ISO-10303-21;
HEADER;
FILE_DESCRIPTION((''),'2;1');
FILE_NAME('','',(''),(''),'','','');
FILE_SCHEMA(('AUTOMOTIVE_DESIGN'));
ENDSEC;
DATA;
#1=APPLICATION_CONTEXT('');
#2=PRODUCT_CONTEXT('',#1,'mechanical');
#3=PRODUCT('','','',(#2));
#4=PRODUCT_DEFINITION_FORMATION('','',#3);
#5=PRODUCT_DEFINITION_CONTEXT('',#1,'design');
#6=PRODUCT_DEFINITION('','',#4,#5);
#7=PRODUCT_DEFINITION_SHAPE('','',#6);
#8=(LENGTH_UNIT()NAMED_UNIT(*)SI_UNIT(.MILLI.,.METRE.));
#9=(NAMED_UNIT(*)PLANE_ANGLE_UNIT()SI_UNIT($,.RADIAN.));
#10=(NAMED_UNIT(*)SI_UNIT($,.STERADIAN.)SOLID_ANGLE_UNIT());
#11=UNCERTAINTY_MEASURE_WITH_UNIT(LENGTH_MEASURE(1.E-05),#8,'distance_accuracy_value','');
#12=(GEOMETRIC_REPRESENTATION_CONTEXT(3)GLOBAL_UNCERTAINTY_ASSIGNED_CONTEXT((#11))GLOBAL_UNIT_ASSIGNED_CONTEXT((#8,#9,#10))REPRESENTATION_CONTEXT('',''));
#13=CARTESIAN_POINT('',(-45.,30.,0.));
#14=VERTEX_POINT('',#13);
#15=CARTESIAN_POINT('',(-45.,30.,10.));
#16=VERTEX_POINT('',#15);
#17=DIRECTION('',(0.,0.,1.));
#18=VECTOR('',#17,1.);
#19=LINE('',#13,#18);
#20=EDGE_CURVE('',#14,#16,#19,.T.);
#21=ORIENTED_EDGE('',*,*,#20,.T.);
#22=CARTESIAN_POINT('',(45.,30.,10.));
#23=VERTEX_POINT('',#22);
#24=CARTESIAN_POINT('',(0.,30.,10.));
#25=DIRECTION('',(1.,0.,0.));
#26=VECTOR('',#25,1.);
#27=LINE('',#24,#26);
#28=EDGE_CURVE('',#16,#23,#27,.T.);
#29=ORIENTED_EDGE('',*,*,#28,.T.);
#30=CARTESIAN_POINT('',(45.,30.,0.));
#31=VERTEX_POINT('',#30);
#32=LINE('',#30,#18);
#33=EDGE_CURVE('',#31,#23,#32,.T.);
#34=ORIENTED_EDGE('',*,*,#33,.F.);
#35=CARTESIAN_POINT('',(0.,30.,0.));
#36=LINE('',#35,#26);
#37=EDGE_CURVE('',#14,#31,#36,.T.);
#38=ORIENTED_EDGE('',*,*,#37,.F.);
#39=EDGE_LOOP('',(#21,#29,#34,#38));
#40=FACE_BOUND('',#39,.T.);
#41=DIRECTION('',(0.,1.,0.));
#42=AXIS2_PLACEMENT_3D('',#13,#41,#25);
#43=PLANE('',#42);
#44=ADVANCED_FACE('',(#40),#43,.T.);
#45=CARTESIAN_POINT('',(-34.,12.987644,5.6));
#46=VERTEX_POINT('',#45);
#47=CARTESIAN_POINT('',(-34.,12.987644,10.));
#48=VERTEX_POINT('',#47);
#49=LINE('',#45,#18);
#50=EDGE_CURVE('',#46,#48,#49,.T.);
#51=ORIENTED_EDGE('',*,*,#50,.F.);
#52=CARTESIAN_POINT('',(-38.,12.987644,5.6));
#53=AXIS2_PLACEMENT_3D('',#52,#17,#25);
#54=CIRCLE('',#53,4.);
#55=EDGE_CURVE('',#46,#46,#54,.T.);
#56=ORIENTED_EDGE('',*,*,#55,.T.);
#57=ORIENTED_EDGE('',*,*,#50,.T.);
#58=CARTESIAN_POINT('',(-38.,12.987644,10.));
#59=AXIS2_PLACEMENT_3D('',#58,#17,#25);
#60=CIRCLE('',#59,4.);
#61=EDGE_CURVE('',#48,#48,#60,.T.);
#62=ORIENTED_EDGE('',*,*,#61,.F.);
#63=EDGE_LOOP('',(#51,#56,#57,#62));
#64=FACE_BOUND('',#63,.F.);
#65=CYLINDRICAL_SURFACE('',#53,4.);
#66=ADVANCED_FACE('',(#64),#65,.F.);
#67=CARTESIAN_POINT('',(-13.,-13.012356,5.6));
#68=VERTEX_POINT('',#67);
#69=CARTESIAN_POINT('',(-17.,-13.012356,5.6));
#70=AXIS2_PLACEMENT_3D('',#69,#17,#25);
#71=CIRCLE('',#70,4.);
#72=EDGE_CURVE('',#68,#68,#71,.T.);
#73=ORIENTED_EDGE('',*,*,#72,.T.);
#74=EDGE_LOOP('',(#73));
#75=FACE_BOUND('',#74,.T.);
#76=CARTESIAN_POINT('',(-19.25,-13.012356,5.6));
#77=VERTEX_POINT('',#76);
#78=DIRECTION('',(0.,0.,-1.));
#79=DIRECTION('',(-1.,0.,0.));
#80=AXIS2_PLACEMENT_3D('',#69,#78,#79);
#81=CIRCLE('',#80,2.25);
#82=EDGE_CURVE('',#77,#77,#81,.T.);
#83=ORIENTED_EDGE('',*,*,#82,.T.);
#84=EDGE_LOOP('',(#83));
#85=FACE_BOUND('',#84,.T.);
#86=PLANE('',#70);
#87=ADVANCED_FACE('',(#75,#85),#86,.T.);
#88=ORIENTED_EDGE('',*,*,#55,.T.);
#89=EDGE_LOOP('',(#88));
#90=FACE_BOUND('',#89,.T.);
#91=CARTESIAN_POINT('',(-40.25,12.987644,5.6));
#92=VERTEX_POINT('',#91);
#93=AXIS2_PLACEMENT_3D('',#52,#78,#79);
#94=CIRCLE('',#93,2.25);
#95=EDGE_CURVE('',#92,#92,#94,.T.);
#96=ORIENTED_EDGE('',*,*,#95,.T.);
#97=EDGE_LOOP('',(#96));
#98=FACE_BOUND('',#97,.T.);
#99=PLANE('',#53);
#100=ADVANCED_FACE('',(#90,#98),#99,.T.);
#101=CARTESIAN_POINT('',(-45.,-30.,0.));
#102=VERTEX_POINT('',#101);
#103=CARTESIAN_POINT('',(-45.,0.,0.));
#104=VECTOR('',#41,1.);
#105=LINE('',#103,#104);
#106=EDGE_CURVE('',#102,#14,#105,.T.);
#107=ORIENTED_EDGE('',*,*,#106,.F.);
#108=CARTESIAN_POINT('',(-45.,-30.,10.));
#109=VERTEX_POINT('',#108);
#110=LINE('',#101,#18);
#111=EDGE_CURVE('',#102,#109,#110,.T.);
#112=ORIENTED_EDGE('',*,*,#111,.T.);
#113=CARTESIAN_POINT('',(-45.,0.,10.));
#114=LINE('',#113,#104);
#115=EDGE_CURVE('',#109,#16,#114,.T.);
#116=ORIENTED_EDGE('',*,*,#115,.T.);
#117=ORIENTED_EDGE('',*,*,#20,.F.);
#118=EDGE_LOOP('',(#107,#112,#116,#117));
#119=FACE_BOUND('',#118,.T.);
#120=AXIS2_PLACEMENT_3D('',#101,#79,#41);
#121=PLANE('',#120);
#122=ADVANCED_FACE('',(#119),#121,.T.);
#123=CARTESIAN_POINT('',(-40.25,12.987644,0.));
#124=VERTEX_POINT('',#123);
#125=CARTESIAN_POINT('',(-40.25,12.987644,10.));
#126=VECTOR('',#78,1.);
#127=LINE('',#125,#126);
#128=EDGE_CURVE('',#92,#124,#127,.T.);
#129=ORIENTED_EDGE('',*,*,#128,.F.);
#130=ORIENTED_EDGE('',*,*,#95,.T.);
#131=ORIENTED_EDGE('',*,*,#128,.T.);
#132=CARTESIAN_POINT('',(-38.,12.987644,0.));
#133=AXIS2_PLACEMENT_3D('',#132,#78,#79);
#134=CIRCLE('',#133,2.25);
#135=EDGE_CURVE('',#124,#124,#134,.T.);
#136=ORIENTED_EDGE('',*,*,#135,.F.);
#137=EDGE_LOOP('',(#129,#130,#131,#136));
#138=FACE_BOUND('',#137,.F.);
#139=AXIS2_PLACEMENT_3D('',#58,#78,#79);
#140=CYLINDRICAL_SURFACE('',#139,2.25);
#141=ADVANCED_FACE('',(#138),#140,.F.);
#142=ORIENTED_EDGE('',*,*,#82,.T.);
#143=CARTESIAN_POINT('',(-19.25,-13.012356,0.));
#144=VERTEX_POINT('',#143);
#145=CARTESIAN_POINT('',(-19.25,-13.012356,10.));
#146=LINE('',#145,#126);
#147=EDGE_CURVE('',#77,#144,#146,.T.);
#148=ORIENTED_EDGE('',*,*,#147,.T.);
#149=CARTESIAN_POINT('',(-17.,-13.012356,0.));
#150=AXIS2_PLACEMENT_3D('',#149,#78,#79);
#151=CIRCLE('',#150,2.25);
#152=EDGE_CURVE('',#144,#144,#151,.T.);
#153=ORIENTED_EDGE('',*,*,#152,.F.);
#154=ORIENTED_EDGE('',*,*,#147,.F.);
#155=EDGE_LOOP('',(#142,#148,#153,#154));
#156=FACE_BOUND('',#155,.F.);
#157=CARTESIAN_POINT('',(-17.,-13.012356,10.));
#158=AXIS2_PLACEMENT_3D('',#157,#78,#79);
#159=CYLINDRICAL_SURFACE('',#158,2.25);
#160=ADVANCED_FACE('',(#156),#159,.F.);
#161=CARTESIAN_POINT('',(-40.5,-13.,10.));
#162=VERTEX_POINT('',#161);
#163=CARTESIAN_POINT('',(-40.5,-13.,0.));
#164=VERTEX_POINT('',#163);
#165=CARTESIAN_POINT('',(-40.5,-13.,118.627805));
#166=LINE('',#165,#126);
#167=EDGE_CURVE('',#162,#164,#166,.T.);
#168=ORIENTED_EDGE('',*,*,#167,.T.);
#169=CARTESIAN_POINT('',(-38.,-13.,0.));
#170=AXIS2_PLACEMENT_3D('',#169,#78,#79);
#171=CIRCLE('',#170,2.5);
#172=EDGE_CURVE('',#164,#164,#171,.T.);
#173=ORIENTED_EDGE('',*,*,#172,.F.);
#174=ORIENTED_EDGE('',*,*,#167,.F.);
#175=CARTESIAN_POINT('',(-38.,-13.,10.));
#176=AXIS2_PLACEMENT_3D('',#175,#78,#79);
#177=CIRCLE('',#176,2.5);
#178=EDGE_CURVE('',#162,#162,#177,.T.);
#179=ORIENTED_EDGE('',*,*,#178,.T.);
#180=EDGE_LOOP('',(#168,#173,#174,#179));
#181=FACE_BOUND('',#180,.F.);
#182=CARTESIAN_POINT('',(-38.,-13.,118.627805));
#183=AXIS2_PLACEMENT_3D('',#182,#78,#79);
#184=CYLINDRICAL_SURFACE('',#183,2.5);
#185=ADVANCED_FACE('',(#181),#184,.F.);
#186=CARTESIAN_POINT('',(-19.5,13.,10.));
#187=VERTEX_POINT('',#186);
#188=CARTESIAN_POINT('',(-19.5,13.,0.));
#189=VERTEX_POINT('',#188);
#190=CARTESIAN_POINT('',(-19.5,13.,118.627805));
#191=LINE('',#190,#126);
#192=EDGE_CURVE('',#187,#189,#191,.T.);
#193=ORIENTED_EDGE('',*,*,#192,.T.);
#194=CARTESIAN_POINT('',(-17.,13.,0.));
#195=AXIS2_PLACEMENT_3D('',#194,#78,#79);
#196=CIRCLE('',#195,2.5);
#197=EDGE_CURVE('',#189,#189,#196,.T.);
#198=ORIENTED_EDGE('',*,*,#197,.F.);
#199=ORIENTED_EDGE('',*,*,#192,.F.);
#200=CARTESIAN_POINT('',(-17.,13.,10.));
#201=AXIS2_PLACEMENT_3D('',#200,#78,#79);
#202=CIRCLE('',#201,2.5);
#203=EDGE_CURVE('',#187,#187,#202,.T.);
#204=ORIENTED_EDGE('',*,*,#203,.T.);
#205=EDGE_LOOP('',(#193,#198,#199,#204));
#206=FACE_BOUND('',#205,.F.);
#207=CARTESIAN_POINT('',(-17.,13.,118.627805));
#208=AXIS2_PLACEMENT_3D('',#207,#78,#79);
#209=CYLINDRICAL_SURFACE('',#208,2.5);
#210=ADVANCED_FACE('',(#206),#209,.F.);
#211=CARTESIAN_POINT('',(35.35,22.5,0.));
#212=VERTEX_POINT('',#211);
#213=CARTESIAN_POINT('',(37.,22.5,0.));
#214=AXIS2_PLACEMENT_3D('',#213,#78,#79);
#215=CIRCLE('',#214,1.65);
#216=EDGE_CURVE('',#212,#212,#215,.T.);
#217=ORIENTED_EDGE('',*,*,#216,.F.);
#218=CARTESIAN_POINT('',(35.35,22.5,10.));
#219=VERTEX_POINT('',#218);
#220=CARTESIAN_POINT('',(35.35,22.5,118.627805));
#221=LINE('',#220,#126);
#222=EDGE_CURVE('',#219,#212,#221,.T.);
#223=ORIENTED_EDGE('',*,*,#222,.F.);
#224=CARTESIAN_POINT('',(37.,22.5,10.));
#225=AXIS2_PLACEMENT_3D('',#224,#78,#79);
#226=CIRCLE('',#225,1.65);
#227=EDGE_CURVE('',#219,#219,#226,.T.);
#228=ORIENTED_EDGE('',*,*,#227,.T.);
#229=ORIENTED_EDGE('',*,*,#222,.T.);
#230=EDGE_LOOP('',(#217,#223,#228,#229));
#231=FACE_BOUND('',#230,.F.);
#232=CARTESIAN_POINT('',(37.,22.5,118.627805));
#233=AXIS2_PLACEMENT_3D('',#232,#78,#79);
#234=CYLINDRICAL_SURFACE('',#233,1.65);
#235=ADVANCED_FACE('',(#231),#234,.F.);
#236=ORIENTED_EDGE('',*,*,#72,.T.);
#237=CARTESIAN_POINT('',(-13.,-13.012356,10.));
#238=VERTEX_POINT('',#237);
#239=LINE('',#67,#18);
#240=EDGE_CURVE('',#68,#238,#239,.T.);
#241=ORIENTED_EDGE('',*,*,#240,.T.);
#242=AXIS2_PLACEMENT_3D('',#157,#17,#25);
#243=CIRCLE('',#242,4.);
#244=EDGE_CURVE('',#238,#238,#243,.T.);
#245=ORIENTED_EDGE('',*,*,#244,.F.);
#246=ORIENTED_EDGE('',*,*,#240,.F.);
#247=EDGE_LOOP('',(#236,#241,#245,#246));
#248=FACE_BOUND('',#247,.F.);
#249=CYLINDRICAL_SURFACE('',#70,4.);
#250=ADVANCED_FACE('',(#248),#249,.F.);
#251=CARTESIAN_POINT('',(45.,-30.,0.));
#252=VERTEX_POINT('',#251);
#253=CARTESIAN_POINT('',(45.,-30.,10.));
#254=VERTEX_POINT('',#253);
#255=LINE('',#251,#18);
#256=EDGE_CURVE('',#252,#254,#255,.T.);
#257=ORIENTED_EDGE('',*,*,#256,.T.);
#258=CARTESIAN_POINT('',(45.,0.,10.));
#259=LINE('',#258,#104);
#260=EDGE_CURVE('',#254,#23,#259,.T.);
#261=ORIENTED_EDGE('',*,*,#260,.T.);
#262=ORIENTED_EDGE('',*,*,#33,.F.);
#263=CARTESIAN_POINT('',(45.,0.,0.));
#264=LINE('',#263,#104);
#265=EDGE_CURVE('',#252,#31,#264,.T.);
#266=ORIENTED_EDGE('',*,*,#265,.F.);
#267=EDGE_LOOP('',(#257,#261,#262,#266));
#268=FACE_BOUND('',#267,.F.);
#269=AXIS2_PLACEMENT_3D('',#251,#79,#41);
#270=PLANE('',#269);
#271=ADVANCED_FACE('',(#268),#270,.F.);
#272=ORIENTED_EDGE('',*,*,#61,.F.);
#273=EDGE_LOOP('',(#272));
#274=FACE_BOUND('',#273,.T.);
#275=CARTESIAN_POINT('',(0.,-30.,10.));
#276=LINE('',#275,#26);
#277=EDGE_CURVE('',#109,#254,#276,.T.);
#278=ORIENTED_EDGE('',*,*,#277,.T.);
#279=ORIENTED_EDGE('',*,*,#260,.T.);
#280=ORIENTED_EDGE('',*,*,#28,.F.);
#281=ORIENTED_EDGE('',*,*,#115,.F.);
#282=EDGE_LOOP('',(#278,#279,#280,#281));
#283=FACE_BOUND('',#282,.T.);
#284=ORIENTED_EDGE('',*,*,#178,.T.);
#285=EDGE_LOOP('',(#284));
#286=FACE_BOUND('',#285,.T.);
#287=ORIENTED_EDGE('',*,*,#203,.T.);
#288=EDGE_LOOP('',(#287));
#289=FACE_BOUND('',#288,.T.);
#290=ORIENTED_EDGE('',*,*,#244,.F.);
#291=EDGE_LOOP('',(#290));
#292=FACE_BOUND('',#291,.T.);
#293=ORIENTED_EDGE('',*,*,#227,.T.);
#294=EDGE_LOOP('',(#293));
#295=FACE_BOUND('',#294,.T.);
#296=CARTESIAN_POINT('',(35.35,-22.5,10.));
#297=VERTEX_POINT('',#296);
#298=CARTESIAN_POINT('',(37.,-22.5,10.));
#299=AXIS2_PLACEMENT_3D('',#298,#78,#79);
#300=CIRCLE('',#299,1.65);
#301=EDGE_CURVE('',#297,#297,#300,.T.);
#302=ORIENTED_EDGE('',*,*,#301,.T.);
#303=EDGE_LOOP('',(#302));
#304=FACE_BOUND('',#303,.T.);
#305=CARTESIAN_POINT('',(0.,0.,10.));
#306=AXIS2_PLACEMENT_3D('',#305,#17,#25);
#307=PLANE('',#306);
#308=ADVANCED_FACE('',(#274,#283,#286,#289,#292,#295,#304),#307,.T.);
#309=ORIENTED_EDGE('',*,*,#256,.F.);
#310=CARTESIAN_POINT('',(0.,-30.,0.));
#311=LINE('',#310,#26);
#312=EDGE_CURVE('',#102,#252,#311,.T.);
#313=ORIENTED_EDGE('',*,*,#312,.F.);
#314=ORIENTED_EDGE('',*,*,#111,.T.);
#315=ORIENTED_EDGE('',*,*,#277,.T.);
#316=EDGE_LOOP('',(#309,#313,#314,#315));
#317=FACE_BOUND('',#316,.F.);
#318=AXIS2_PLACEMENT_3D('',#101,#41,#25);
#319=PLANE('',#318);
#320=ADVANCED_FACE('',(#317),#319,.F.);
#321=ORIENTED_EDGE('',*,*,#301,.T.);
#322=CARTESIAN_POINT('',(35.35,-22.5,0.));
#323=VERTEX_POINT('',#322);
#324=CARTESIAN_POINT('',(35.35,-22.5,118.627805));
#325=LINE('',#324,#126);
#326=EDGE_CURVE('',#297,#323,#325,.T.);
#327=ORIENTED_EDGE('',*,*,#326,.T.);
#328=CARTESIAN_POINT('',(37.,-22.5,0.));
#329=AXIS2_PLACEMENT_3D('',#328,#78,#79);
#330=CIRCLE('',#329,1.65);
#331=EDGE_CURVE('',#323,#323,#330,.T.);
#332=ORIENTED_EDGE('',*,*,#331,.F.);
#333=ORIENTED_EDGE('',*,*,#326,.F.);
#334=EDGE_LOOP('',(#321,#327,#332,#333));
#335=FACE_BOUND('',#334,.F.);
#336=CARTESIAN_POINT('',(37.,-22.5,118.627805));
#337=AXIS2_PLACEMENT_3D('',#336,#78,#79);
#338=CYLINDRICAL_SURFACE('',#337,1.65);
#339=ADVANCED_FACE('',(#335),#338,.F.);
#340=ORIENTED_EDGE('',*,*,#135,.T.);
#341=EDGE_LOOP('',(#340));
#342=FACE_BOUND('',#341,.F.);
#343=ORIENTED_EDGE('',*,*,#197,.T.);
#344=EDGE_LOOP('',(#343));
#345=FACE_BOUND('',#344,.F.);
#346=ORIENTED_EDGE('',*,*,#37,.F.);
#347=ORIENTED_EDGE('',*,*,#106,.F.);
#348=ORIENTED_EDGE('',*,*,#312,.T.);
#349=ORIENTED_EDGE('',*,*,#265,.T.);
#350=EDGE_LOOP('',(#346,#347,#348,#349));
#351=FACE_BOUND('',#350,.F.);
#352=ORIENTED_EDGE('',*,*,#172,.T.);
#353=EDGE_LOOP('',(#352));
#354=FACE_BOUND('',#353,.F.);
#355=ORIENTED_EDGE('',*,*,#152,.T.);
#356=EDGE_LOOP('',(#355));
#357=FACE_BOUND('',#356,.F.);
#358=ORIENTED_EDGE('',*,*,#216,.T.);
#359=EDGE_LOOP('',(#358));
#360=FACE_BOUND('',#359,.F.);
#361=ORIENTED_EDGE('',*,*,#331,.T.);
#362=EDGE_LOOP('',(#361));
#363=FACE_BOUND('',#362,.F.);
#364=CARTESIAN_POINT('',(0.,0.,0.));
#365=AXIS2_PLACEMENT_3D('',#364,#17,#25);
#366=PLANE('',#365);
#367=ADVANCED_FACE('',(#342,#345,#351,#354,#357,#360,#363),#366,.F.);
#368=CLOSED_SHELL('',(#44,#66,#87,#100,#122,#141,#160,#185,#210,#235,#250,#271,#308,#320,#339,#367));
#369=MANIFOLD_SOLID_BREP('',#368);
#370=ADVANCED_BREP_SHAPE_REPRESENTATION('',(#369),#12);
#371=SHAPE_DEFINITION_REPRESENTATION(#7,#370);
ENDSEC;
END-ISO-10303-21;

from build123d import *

# Parameters (mm, degrees)
F0_W           = 90
F0_H           = 60
F1_DEPTH       = 10
F3_D           = 4.5
F3_CBORE_D     = 8
F3_CBORE_DEPTH = 4.4
F5_D           = 5
F7_D           = 3.3


with BuildPart() as f1:
    # F0 (on Top) → F1 (new body)
    with BuildSketch(Plane.XY):
        Rectangle(F0_W, F0_H)
    extrude(amount=F1_DEPTH)

    # F3 (through all)
    with Locations(Plane.XY.offset(10)):
        with Locations((-38, 12.9876444116), (-17, -13.0123555884)):
            CounterBoreHole(F3_D / 2, F3_CBORE_D / 2, F3_CBORE_DEPTH)

    # F5 (through all)
    with Locations(Plane.XY.offset(10)):
        with Locations((-38, -13), (-17, 13)):
            Hole(F5_D / 2)

    # F7 (through all)
    with Locations(Plane.XY.offset(10)):
        with Locations((37, 22.5), (37, -22.5)):
            Hole(F7_D / 2)


solid = f1.part
